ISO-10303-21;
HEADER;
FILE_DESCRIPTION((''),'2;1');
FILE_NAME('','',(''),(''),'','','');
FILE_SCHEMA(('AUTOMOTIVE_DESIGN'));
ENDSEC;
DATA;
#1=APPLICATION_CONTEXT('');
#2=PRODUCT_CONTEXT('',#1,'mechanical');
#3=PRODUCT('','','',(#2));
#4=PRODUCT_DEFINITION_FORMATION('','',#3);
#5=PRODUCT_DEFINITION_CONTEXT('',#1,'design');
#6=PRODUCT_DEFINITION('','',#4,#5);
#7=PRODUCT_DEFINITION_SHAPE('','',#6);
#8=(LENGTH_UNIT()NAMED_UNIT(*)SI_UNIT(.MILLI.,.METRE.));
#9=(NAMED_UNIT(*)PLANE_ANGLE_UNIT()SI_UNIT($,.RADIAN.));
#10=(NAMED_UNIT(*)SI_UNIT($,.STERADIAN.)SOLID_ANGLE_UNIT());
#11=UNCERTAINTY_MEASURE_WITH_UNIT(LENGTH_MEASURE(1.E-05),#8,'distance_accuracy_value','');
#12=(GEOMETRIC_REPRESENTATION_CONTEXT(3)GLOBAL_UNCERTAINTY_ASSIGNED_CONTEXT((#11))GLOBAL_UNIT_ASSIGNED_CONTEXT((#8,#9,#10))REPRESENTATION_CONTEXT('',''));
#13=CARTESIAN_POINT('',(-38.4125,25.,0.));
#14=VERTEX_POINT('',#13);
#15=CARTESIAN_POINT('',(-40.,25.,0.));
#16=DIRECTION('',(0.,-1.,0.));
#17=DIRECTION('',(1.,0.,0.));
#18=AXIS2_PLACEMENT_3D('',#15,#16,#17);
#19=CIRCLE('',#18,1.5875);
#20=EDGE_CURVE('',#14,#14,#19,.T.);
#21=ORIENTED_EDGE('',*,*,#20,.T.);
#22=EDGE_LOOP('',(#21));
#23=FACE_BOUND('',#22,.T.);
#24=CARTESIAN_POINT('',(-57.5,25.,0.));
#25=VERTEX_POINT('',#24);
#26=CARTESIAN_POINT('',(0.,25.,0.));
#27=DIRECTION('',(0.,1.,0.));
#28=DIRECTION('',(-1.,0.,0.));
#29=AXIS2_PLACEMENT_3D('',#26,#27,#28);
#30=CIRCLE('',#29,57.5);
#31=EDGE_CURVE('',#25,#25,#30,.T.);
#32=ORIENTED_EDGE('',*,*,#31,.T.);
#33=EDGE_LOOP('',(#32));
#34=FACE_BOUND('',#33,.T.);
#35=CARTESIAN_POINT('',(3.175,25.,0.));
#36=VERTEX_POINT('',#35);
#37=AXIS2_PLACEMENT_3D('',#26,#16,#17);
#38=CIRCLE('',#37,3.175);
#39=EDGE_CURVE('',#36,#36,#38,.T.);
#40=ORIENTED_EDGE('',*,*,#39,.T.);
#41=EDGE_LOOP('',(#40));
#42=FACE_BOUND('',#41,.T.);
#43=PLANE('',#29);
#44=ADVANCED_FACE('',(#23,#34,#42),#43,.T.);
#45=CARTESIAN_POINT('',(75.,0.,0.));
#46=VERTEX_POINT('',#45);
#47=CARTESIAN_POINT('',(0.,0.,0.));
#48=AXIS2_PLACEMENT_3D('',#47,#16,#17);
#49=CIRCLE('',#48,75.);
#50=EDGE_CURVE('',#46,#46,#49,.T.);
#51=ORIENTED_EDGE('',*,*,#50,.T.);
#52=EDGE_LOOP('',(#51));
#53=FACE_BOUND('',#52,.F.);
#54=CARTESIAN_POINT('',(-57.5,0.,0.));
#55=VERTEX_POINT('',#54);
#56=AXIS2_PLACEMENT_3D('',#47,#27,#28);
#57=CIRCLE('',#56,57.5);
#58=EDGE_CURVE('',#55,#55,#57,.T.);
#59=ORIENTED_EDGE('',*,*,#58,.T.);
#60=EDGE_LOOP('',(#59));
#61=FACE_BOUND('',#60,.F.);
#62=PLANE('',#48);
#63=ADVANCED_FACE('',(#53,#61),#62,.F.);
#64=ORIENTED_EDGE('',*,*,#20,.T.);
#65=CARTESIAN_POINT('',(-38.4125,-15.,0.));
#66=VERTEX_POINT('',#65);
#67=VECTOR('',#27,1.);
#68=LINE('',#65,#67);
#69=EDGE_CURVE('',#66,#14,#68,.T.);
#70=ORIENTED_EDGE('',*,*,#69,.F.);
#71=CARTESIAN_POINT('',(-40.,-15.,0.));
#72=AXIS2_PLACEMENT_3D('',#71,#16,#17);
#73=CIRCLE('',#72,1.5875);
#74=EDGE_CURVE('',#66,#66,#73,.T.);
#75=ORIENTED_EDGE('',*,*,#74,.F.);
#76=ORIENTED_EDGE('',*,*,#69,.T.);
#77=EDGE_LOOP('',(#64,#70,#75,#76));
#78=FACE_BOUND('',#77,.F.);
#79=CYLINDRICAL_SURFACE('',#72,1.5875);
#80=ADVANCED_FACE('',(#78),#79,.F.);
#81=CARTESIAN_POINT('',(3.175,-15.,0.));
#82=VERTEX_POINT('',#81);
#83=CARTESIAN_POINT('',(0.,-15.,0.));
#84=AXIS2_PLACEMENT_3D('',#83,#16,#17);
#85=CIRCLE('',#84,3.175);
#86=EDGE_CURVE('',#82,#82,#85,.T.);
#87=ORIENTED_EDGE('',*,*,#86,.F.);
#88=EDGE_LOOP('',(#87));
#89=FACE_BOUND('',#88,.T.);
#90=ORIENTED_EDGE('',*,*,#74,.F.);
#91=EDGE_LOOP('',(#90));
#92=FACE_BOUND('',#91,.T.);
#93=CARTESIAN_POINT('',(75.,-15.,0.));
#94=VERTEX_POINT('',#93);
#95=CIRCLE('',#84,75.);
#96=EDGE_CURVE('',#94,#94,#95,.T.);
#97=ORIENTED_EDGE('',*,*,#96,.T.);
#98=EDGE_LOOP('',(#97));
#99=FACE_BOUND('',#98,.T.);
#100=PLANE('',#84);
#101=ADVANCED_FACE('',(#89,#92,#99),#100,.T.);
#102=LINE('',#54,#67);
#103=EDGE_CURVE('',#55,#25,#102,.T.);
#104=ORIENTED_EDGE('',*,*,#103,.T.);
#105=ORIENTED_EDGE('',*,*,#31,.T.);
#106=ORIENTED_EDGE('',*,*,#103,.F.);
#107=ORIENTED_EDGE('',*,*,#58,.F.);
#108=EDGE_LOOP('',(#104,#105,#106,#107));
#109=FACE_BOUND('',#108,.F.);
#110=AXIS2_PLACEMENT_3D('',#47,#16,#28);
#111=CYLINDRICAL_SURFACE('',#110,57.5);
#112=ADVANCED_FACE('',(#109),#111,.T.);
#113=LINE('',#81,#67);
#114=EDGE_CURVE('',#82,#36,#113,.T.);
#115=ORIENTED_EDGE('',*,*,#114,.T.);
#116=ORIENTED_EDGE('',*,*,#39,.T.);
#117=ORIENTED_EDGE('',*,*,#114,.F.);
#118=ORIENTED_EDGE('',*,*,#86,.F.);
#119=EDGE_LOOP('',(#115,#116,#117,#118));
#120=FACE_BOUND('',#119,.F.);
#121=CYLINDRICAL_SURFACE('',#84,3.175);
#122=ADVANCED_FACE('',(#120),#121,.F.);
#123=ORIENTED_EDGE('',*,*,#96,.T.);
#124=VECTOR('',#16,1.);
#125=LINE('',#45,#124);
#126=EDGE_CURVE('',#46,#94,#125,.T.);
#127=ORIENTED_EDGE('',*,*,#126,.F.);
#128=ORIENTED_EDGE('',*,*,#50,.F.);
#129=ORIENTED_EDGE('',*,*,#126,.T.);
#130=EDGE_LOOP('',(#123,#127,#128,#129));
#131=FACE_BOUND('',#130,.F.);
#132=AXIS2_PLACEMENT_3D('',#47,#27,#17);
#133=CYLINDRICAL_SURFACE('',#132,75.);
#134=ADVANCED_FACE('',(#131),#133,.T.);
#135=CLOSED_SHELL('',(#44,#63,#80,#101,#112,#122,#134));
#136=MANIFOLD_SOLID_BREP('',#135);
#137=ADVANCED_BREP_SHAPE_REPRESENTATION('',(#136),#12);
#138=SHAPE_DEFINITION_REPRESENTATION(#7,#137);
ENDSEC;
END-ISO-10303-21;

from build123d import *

# Parameters (mm, degrees)
F0_R     = 75
F1_DEPTH = 15
F2_R     = 57.5
F3_DEPTH = 25
F4_R     = 3.175
F4_R_2   = 1.5875
F5_DEPTH = 40.001


with BuildPart() as f1:
    # F0 (on Front) → F1 (new body)
    with BuildSketch(Plane.XZ):
        Circle(F0_R)
    extrude(amount=F1_DEPTH)

    # F2 (on face) → F3 (join)
    with BuildSketch(Plane(origin=(0, 0, 0), x_dir=(-1, 0, 0), z_dir=(0, 1, 0))):
        Circle(F2_R)
    extrude(amount=F3_DEPTH)

    # F4 (on face) → F5 (cut, through all)
    with BuildSketch(Plane.XZ.offset(15)):
        Circle(F4_R)
        with Locations((-40, 0)):
            Circle(F4_R_2)
    extrude(amount=-F5_DEPTH, mode=Mode.SUBTRACT)


solid = f1.part
